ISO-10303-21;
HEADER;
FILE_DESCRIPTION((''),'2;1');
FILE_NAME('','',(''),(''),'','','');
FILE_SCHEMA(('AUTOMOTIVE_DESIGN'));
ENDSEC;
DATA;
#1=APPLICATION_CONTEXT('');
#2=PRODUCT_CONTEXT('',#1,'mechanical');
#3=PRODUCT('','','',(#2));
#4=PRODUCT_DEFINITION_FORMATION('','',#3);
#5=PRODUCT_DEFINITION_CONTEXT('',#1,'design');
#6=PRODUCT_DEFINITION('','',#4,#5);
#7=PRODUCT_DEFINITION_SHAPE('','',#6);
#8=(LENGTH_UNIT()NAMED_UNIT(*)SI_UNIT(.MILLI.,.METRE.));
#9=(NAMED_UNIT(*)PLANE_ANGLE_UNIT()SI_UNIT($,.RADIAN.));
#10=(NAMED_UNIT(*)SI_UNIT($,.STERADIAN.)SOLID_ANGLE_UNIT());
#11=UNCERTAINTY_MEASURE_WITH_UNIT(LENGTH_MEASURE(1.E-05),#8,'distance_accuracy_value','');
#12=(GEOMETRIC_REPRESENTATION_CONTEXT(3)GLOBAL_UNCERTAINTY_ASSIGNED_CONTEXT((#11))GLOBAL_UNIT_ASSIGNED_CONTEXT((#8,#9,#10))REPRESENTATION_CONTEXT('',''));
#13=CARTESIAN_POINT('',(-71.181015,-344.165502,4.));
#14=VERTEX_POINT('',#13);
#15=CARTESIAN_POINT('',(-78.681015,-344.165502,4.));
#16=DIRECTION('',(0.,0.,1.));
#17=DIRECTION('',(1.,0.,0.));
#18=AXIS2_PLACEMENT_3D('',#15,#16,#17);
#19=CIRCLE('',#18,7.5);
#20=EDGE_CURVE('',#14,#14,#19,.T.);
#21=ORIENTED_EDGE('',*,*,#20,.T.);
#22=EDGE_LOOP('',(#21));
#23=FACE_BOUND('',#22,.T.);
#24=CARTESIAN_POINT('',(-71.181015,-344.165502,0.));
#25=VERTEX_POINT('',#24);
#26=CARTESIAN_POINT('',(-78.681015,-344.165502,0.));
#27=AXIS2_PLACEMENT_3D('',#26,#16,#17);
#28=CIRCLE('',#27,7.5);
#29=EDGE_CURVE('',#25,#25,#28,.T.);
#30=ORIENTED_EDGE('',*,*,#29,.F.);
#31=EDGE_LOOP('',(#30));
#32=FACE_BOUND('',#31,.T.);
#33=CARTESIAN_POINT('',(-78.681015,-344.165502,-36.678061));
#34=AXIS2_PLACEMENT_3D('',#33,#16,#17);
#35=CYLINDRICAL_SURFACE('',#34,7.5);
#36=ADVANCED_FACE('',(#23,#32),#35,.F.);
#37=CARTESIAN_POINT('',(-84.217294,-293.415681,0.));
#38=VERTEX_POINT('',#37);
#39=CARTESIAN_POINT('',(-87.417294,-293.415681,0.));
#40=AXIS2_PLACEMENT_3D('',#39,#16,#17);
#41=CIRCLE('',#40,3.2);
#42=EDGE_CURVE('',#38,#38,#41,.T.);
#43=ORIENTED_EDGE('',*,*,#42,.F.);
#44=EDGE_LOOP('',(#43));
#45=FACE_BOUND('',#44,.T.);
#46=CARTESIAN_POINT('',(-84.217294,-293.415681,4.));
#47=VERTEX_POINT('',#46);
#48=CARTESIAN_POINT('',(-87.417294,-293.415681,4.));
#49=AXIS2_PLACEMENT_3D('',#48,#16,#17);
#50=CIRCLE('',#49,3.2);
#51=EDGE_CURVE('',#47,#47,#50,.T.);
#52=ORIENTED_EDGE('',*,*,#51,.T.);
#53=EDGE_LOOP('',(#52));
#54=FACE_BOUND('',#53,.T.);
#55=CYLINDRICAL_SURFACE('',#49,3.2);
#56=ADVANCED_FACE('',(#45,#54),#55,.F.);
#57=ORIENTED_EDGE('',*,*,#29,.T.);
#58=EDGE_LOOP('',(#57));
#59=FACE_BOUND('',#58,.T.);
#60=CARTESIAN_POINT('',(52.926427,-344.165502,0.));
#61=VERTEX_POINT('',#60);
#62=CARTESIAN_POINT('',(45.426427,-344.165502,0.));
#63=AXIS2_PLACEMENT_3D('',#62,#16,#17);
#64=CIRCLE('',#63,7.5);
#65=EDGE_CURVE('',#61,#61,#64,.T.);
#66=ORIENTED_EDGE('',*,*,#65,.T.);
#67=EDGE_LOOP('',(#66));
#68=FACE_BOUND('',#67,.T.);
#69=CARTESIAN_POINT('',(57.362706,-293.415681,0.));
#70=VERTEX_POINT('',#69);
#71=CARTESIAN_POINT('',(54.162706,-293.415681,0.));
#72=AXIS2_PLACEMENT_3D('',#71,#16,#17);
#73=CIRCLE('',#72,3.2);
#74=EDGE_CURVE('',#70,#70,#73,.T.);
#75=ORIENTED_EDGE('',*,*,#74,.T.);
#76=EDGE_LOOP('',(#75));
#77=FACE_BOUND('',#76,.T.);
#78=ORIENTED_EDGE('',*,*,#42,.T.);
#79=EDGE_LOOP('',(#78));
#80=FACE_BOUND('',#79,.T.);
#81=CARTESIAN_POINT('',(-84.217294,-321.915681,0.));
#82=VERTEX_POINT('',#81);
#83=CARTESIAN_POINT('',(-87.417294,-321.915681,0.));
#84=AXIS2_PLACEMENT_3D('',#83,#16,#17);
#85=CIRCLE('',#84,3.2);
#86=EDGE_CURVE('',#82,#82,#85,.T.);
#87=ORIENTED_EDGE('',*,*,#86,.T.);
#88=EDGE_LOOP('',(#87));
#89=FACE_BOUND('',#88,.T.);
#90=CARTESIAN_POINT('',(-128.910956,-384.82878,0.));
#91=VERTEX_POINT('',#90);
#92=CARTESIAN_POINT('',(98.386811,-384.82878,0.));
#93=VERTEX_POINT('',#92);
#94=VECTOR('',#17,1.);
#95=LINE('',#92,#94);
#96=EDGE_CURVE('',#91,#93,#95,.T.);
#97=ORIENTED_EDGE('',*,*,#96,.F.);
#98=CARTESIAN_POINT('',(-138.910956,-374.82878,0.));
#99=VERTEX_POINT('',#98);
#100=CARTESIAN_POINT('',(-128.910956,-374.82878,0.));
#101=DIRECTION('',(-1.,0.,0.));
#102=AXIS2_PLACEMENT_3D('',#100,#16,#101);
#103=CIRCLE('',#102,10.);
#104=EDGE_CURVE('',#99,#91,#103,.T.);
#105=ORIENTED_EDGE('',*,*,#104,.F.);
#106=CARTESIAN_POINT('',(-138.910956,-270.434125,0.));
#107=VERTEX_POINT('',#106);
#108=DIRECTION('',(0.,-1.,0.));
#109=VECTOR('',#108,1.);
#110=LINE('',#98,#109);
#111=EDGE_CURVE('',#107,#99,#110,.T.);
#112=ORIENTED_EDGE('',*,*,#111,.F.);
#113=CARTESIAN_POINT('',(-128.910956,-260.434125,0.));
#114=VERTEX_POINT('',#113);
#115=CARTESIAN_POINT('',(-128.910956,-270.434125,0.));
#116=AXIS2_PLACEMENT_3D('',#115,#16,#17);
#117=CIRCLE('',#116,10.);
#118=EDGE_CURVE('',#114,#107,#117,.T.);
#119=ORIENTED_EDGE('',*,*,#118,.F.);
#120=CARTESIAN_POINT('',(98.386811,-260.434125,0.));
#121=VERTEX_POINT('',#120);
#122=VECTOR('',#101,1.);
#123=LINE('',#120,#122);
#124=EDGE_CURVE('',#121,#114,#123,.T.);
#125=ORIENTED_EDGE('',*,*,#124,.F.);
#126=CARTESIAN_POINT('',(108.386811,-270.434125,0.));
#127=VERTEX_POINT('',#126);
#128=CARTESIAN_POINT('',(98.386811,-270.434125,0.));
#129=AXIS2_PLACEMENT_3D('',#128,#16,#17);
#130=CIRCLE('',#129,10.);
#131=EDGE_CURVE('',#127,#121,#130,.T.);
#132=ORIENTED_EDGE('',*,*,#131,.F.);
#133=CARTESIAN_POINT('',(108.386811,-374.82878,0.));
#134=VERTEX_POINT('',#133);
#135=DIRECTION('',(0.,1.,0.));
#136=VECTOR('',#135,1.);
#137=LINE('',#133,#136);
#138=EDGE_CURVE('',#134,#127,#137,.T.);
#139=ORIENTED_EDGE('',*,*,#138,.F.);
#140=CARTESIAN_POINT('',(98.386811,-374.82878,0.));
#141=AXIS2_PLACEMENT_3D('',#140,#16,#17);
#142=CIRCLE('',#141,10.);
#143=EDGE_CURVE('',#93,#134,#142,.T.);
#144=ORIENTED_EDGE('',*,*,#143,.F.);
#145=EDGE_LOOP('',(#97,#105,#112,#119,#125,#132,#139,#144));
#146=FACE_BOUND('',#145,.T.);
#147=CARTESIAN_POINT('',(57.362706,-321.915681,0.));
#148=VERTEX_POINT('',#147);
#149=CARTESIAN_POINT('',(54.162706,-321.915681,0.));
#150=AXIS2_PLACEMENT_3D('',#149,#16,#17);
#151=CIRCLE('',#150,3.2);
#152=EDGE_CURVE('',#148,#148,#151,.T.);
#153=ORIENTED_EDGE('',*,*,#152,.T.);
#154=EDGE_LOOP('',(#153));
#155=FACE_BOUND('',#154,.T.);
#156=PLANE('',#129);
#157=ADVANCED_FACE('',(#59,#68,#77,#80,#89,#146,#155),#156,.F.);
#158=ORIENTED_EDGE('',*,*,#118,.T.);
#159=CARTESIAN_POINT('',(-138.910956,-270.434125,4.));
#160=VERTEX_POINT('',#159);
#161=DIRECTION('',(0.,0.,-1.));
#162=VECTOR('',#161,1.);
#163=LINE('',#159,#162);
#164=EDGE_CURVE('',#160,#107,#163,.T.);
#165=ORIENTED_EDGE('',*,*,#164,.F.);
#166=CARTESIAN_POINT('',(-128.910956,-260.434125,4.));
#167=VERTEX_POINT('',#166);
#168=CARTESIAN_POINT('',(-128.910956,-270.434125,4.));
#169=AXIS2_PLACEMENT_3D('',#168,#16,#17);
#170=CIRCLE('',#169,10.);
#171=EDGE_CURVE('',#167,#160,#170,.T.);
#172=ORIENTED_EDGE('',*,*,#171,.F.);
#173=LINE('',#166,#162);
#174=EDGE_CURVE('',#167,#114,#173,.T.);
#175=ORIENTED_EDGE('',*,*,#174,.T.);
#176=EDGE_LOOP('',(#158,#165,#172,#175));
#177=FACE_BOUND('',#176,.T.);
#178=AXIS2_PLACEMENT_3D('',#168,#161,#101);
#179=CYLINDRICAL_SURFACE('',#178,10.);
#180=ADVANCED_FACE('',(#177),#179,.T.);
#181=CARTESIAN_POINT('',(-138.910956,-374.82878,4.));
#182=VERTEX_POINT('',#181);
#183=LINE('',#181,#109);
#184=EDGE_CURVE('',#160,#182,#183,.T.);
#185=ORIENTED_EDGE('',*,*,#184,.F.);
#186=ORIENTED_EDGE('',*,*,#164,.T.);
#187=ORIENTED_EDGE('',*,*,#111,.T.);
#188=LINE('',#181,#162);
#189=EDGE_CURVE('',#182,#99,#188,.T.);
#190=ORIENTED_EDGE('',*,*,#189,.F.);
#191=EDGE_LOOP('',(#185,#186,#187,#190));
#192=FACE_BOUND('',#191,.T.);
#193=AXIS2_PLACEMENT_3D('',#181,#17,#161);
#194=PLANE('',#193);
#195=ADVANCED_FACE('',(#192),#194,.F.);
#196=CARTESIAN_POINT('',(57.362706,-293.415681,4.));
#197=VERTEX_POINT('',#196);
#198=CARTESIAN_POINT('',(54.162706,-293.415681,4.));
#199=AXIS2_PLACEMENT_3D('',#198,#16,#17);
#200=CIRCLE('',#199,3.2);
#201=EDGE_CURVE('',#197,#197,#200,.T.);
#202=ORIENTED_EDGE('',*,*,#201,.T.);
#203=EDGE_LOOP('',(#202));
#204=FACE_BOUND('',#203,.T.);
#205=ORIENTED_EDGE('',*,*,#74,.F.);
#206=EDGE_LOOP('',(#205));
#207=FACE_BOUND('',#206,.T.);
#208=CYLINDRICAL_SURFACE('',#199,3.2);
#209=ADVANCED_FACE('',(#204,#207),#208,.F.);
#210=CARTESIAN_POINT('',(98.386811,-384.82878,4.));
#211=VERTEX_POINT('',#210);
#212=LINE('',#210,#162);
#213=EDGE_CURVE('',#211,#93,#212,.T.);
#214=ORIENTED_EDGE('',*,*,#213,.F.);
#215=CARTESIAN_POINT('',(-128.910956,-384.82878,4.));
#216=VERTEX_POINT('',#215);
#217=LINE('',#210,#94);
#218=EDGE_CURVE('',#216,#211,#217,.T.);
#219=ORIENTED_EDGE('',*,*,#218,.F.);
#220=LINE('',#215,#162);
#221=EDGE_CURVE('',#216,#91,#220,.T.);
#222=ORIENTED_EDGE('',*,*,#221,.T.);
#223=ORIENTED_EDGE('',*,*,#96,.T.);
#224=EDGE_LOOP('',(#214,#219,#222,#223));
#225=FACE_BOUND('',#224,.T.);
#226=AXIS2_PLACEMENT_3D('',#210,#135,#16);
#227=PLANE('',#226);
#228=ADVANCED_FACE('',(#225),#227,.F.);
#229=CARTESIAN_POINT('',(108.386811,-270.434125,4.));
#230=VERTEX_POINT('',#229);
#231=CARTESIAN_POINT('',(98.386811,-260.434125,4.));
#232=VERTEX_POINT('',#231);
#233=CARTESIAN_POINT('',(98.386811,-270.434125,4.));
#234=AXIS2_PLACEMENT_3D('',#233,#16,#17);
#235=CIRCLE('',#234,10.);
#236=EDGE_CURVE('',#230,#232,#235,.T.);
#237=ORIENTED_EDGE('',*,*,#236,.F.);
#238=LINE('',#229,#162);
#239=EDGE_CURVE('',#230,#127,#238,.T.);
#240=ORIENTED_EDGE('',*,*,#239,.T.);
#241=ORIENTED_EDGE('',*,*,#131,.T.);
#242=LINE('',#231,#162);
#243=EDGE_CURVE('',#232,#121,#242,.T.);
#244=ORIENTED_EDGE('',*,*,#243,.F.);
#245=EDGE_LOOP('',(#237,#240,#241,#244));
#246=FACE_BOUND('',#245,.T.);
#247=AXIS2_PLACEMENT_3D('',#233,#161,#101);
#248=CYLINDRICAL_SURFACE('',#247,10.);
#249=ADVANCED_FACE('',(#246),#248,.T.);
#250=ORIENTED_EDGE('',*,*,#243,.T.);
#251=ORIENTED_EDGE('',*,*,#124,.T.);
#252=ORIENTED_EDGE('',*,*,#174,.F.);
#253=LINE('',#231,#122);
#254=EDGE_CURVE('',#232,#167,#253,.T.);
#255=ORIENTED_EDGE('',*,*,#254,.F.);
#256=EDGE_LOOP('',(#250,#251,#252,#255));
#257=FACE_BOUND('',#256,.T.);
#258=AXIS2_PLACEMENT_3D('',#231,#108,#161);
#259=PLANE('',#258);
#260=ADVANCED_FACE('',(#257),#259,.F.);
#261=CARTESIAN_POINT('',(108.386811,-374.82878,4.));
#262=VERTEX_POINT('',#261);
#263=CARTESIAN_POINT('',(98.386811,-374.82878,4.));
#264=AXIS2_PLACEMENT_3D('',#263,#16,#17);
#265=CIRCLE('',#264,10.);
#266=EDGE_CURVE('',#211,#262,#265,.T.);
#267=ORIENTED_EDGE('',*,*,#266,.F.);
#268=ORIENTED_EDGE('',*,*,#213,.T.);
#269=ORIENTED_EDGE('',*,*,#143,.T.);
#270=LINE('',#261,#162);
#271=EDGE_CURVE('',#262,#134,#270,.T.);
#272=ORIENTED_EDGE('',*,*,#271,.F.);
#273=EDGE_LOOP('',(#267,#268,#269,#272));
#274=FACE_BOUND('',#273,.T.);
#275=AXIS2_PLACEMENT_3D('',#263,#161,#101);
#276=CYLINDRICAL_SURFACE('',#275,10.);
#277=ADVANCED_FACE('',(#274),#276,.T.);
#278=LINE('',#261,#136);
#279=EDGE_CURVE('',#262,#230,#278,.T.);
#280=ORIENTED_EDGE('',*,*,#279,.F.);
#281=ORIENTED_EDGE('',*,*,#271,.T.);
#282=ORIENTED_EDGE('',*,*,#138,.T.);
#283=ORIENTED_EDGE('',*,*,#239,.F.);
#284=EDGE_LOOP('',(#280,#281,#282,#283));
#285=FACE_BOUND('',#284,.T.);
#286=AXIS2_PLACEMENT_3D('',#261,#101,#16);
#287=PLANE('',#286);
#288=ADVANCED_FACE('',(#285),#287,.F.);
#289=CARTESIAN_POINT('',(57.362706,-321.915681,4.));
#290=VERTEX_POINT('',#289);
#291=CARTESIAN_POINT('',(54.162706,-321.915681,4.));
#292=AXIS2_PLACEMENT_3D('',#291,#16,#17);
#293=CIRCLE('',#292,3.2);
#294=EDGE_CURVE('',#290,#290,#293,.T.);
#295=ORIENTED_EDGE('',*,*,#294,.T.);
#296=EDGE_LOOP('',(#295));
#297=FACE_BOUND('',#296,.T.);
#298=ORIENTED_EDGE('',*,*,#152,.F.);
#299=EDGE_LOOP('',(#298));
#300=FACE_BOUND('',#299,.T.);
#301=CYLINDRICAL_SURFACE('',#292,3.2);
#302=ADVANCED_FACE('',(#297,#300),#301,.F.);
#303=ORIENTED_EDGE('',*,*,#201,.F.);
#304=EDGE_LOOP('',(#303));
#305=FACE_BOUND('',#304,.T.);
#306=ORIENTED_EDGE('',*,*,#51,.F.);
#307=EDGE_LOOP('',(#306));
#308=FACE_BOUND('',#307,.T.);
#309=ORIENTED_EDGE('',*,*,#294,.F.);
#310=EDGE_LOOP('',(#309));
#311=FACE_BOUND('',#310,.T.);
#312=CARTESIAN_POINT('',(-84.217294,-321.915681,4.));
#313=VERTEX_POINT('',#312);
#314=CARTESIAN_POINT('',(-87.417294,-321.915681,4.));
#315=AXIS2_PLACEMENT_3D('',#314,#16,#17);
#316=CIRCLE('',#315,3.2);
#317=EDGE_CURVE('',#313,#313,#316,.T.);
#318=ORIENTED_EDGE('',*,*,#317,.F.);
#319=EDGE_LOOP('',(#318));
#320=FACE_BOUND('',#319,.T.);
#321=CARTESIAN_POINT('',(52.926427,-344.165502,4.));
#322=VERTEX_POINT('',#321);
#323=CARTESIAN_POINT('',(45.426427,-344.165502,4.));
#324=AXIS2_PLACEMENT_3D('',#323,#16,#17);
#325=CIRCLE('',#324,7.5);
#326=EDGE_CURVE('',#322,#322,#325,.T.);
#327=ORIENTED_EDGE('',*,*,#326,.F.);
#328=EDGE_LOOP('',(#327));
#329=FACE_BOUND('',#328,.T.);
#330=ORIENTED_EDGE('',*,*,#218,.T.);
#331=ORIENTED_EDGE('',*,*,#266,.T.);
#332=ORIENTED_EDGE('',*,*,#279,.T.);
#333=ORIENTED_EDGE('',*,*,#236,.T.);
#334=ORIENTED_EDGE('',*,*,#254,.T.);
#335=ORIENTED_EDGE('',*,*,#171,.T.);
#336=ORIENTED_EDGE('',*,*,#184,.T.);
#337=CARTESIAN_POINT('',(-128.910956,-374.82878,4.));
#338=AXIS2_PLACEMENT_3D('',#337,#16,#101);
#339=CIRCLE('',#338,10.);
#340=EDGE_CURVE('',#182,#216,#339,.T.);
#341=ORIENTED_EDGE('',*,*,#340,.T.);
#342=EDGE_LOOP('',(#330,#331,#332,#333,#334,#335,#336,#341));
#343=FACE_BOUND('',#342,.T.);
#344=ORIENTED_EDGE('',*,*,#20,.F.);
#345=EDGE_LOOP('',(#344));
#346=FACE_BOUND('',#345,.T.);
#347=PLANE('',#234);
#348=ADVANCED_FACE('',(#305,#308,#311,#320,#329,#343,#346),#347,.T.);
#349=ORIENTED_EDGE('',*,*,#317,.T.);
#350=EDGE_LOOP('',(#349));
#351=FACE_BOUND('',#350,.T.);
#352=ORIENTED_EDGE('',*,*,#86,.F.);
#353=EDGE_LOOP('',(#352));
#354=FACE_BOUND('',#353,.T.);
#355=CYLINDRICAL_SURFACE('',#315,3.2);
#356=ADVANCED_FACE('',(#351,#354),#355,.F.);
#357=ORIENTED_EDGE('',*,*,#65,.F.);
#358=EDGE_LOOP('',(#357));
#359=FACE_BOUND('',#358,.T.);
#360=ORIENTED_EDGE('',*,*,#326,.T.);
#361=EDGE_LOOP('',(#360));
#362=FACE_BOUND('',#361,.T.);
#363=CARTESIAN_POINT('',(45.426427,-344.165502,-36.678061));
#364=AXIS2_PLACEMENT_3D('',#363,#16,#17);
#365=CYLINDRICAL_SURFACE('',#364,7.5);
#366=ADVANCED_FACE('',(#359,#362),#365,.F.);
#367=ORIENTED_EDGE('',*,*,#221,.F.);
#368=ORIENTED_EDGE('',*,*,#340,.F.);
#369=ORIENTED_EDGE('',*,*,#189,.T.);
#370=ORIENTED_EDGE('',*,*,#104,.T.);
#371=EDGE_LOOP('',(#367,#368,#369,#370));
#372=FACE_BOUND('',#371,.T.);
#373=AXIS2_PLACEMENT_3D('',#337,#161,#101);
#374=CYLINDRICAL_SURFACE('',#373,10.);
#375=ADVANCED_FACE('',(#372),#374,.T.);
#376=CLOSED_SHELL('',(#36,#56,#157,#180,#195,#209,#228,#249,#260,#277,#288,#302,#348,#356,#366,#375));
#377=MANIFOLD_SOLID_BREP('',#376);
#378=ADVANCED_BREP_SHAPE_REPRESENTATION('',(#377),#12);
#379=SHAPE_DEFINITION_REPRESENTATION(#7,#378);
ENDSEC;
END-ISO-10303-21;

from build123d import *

# Parameters (mm, degrees)
BOSS_EXTRUDE1_DEPTH  = 4
M6_CLEARANCE_HOLE1_D = 6.4
SKETCH5_R            = 7.5
CUT_EXTRUDE1_DEPTH   = 40.678061403


with BuildPart() as part:
    # Sketch1 → Boss-Extrude1 (new body)
    with BuildSketch(Plane.XY):
        with BuildLine():
            Line((98.386811049, -384.8287802), (-128.910956341, -384.8287802))
            ThreePointArc((-128.910956341, -384.8287802), (-135.982024153, -381.899848012), (-138.910956341, -374.8287802))
            Line((-138.910956341, -374.8287802), (-138.910956341, -270.434125192))
            ThreePointArc((-138.910956341, -270.434125192), (-135.982024153, -263.36305738), (-128.910956341, -260.434125192))
            Line((-128.910956341, -260.434125192), (98.386811049, -260.434125192))
            ThreePointArc((98.386811049, -260.434125192), (105.457878861, -263.36305738), (108.386811049, -270.434125192))
            Line((108.386811049, -270.434125192), (108.386811049, -374.8287802))
            ThreePointArc((108.386811049, -374.8287802), (105.457878861, -381.899848012), (98.386811049, -384.8287802))
        make_face()
    extrude(amount=BOSS_EXTRUDE1_DEPTH)

    # M6 Clearance Hole1 (through all)
    with Locations(Plane.XY.offset(4)):
        with Locations((54.16270611, -293.415681156), (54.16270611, -321.915681156), (45.426427008, -344.165502047), (-78.681014788, -344.165502047), (-87.41729389, -321.915681156), (-87.41729389, -293.415681156)):
            Hole(M6_CLEARANCE_HOLE1_D / 2)

    # Sketch5 → Cut-Extrude1 (cut)
    with BuildSketch(Plane.XY.offset(4)):
        with Locations((-78.681014788, -344.165502047)):
            Circle(SKETCH5_R)
        with Locations((45.426427008, -344.165502047)):
            Circle(SKETCH5_R)
    extrude(amount=-CUT_EXTRUDE1_DEPTH, mode=Mode.SUBTRACT)


solid = part.part
